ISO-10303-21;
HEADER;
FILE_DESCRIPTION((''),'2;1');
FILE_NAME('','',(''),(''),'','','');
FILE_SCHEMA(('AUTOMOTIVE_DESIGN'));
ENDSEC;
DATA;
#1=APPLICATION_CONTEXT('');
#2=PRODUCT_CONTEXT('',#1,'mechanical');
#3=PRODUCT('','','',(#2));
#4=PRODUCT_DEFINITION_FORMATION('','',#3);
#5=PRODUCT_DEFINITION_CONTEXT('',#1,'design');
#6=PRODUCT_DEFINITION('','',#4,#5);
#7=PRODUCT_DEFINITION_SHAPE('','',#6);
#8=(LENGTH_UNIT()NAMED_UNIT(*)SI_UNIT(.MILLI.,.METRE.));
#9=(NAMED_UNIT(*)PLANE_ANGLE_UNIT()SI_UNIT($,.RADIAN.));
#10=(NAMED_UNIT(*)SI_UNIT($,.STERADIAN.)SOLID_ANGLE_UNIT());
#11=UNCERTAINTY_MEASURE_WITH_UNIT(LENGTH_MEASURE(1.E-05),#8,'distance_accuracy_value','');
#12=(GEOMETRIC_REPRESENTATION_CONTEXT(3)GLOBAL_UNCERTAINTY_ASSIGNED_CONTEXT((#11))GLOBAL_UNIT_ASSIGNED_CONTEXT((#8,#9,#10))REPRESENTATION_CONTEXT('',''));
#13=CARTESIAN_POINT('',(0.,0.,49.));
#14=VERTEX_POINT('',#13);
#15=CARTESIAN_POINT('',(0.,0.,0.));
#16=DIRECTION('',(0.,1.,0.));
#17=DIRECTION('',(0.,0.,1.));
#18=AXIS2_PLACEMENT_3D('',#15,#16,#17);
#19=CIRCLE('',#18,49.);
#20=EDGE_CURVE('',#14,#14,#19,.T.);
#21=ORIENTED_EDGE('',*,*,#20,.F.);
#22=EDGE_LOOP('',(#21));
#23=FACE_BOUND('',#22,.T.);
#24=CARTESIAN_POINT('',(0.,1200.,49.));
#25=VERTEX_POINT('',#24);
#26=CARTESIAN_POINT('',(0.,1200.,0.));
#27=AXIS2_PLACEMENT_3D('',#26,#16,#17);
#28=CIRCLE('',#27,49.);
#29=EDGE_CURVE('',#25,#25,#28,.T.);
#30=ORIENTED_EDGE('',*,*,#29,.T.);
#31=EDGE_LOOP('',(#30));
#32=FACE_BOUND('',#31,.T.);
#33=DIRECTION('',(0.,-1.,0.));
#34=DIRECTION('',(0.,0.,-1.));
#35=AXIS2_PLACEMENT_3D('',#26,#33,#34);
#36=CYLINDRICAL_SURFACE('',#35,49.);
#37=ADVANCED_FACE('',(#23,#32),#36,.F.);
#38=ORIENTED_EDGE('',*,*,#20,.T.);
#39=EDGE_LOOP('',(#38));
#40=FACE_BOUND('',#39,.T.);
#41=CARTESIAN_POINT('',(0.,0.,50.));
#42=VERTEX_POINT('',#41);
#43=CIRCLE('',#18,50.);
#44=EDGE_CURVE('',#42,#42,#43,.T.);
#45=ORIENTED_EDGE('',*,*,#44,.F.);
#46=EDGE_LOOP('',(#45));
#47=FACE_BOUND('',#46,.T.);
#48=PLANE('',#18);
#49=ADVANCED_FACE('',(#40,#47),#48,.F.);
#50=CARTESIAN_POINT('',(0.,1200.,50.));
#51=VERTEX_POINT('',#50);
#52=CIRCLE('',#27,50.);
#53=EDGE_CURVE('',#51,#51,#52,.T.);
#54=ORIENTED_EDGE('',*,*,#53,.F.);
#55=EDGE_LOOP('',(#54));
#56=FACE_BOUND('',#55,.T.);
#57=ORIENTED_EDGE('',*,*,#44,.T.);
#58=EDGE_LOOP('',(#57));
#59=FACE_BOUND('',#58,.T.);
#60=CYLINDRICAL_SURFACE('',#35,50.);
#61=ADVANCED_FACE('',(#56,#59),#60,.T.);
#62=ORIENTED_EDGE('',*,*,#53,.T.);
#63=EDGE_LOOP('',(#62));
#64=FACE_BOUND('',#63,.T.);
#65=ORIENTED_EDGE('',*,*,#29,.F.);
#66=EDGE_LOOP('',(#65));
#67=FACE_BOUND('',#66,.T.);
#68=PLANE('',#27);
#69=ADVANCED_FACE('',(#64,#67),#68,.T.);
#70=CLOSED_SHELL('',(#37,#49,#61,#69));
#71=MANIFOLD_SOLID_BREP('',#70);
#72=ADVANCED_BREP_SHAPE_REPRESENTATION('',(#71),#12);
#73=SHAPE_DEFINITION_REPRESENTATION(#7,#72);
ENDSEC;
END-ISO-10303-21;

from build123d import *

# Parameters (mm, degrees)
SKETCH_1_R      = 50
SKETCH_1_R_2    = 49
EXTRUDE_1_DEPTH = 1200


with BuildPart() as part:
    # 草图1 → 凸台-拉伸1 (new body)
    with BuildSketch(Plane(origin=(0, 0, 0), x_dir=(1, 0, 0), z_dir=(0, 1, 0))):
        with Locations(Location((0, 0, 0), (0, 0, 270))):
            Circle(SKETCH_1_R)
        with Locations(Location((0, 0, 0), (0, 0, 270))):
            Circle(SKETCH_1_R_2, mode=Mode.SUBTRACT)
    extrude(amount=EXTRUDE_1_DEPTH)


solid = part.part
